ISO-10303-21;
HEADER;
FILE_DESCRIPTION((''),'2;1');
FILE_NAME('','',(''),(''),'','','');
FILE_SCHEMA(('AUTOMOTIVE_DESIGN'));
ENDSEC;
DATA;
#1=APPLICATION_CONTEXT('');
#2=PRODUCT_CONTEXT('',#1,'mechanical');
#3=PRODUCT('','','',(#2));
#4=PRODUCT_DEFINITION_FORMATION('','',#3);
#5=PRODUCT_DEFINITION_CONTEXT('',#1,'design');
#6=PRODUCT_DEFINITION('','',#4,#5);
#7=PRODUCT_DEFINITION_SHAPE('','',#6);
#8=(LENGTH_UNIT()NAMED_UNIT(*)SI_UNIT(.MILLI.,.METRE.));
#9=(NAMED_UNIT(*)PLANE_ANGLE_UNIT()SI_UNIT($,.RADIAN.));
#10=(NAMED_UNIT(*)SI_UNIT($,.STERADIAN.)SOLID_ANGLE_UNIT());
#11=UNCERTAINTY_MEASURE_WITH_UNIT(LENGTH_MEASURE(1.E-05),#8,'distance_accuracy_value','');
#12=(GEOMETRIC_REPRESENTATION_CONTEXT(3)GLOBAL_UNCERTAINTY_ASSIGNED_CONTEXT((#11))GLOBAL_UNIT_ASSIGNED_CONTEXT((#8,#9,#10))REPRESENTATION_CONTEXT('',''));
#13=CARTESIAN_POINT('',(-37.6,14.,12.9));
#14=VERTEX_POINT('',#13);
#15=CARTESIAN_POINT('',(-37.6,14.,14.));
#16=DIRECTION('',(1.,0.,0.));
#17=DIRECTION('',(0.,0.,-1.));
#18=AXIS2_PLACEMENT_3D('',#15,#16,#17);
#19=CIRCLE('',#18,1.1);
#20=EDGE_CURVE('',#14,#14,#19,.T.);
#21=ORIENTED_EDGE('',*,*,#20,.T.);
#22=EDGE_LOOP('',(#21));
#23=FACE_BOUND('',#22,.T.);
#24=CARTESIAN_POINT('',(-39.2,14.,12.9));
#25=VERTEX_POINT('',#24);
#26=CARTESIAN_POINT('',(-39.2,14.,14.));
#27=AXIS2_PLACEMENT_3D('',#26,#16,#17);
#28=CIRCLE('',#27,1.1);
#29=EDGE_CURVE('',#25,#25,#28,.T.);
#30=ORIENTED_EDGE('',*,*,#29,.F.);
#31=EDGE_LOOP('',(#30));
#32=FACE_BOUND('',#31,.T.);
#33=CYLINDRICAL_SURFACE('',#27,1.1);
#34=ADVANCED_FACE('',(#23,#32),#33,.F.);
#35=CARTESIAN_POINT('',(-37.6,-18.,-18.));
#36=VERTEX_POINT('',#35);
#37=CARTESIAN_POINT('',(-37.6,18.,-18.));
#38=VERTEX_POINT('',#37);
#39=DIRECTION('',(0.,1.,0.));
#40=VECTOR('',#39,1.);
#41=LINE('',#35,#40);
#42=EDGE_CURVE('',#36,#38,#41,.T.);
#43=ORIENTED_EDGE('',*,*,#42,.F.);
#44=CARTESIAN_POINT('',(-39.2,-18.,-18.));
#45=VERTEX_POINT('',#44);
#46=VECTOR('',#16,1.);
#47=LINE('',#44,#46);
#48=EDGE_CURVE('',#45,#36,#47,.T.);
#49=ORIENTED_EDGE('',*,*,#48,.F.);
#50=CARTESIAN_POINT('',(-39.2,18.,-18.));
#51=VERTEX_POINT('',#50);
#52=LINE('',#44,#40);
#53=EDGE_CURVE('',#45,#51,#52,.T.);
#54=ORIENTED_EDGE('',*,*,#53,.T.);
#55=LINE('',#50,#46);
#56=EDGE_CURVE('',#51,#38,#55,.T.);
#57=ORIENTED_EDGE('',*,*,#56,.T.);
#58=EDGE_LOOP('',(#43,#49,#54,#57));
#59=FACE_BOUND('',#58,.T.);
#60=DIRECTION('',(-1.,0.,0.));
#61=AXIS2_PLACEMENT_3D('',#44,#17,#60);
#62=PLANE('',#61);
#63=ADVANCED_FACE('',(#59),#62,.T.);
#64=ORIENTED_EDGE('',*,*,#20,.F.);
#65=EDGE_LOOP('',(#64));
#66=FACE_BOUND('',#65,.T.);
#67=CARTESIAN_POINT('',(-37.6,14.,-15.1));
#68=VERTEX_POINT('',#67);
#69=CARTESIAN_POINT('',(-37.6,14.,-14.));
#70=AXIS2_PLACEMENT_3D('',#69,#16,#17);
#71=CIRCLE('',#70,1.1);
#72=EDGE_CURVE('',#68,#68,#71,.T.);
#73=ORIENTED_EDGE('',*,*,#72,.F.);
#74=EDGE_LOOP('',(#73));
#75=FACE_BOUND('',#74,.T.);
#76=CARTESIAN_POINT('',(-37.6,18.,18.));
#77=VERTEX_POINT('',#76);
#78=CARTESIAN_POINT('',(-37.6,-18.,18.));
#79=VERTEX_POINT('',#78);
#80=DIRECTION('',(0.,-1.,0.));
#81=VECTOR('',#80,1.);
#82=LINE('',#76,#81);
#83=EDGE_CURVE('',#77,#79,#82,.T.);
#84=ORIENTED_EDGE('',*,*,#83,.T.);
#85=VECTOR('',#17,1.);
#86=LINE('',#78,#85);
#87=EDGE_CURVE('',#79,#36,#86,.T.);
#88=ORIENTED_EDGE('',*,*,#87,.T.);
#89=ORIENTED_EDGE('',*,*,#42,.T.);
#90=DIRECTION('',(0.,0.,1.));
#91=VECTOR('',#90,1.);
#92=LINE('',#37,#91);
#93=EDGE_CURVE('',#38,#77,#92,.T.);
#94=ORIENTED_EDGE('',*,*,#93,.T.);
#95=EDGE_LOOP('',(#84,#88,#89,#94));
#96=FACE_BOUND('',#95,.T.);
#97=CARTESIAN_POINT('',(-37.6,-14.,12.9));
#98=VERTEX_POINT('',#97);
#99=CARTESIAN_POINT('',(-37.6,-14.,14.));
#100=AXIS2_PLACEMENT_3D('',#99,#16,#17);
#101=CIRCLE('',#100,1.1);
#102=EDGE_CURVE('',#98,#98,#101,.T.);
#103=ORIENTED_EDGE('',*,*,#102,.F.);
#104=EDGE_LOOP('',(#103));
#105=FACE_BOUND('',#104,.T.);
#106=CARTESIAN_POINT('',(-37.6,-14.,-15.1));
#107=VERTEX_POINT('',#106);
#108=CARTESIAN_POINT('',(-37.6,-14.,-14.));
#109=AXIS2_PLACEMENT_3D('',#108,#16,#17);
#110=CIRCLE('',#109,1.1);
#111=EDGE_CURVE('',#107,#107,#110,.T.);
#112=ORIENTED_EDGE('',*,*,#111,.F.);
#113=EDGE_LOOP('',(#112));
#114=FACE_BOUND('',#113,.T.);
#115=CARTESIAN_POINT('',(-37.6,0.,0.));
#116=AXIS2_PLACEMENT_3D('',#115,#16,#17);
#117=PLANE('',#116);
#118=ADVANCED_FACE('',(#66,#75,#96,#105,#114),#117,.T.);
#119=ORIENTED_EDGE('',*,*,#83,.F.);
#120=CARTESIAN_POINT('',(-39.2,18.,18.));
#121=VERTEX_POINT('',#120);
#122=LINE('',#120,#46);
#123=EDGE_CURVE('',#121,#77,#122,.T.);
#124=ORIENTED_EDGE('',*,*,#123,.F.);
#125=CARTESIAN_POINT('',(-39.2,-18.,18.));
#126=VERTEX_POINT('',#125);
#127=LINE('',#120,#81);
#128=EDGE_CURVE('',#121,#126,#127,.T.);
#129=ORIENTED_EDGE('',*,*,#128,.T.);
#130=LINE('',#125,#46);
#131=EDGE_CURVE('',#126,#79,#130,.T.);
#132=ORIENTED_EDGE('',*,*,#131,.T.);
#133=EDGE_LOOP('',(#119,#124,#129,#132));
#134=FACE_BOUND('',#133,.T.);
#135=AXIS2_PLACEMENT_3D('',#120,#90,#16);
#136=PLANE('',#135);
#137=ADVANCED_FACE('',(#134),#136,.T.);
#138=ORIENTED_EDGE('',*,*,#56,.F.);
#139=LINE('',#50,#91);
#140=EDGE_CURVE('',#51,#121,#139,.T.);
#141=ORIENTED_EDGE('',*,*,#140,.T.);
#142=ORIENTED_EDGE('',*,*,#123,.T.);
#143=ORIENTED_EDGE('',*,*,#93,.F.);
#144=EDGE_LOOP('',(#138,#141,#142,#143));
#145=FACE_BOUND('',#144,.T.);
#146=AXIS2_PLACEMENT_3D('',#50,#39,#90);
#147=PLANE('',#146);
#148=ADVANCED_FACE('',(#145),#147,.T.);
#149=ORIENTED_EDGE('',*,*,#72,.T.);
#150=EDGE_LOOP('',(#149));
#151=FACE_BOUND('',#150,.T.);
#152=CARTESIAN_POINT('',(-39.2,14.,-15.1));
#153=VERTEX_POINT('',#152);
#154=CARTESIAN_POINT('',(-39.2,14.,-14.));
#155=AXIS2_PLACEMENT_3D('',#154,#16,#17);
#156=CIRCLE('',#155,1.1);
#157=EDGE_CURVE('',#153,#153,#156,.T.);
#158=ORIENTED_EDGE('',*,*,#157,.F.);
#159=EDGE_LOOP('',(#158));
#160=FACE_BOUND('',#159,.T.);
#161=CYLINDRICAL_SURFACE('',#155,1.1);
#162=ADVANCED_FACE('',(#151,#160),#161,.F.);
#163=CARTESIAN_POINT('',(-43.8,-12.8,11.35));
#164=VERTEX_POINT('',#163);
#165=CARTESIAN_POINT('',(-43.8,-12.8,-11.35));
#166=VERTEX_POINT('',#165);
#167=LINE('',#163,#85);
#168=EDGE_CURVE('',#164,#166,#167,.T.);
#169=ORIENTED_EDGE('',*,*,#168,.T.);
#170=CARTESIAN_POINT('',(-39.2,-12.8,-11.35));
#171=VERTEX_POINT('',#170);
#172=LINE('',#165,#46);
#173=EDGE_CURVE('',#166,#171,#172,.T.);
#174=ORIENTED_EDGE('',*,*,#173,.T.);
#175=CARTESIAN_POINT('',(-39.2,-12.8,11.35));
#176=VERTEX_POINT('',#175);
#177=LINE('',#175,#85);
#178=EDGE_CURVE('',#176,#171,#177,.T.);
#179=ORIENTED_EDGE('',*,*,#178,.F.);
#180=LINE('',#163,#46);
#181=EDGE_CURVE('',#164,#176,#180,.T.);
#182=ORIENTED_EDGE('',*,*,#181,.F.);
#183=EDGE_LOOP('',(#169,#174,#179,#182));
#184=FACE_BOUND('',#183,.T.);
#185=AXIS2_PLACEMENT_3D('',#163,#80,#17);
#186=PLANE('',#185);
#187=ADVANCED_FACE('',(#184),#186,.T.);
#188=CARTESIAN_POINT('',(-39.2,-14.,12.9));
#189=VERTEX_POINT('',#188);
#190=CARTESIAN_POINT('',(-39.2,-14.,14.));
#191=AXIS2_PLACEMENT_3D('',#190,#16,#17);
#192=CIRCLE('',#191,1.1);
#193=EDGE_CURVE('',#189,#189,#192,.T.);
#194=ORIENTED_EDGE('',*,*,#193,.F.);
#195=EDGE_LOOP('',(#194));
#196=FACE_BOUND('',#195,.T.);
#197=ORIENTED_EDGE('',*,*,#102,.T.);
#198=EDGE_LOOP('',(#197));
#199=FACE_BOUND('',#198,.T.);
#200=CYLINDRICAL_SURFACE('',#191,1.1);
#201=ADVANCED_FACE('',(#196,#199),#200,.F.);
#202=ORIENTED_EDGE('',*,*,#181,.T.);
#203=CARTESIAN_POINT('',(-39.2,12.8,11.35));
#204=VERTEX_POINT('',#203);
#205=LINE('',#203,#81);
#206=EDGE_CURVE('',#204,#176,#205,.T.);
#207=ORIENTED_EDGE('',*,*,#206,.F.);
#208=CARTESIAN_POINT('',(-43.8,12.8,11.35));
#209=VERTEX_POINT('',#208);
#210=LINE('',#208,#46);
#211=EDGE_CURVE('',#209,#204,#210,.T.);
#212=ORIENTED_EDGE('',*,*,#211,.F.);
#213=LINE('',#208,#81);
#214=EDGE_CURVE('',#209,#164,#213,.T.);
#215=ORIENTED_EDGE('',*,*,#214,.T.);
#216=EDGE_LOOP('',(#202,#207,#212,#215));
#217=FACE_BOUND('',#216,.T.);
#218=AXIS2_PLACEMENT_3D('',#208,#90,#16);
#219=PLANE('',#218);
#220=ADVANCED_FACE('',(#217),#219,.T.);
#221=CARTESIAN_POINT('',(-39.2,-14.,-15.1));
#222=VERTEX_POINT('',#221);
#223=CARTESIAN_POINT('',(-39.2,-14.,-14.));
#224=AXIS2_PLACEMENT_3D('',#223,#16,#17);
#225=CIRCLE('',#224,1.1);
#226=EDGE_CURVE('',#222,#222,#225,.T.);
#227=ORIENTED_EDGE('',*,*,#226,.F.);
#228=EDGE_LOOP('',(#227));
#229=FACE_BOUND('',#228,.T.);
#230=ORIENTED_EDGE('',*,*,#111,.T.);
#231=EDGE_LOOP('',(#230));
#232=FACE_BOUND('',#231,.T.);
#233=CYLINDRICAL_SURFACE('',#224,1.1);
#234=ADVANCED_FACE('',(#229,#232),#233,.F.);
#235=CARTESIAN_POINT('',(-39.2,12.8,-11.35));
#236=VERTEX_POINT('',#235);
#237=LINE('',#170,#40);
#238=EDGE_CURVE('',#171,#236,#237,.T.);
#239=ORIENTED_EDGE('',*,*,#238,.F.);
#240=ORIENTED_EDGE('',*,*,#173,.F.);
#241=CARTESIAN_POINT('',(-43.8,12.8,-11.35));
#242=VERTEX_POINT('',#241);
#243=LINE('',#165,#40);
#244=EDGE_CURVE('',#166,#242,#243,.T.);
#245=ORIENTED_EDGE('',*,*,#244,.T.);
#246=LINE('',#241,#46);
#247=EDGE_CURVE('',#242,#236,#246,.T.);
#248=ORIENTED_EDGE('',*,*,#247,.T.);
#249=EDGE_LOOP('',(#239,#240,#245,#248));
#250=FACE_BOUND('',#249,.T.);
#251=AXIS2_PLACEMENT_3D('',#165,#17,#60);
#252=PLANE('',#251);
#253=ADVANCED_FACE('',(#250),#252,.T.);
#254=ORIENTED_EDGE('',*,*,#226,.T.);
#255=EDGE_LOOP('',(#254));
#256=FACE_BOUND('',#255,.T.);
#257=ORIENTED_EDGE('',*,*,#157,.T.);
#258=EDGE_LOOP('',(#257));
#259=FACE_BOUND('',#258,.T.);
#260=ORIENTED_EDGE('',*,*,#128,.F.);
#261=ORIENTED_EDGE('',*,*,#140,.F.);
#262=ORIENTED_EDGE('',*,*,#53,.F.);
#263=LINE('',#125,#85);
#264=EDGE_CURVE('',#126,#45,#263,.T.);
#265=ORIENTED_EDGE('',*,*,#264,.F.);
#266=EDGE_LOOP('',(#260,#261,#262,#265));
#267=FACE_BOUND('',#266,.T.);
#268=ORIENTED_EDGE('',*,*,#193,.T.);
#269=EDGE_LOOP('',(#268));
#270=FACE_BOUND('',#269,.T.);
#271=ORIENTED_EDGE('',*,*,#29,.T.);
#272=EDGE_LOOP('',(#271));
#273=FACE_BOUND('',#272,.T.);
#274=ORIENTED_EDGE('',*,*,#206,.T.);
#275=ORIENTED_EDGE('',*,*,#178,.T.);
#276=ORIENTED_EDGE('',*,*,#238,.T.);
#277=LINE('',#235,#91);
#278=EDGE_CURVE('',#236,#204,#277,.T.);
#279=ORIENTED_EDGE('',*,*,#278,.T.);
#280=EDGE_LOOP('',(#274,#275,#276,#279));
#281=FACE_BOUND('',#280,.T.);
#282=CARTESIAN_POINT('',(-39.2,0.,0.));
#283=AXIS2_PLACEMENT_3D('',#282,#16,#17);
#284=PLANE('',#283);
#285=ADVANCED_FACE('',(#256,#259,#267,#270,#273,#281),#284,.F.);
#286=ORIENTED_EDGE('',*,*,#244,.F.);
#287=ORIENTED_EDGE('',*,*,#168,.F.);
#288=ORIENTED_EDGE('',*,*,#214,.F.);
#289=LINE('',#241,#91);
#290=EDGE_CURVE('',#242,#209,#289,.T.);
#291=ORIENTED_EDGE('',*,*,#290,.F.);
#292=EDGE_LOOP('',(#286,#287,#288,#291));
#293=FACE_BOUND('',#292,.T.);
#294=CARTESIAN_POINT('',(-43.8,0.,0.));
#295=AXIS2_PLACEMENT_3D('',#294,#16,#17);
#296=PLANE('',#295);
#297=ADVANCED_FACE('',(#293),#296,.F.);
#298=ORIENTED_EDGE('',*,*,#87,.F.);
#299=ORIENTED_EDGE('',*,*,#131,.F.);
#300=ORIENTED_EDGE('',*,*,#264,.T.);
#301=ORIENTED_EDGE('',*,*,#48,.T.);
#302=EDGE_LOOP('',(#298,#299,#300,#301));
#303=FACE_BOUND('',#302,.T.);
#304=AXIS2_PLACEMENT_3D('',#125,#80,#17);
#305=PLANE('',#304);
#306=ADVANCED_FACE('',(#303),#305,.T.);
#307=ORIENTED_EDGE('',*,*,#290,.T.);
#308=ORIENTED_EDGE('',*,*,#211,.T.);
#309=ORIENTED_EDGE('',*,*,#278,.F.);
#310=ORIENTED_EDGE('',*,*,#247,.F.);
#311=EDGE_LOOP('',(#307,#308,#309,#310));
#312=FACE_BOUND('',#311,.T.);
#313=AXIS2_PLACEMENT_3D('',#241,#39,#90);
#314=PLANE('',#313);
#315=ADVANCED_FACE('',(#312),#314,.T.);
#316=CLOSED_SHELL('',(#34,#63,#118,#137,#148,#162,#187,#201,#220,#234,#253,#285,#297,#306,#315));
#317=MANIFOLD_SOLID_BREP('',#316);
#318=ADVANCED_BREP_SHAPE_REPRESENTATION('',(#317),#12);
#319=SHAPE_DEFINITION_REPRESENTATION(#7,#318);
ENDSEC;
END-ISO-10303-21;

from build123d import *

# Parameters (mm, degrees)
PLATE_START     = -37.6
PLATE_SKETCH_W  = 36
PLATE_SKETCH_H  = 36
PLATE_SKETCH_R  = 1.1
PLATE_DEPTH     = 1.6
BNO085_START    = -39.2
BNO085_SKETCH_W = 22.7
BNO085_SKETCH_H = 25.6
BNO085_DEPTH    = 4.6


with BuildPart() as part:
    # Plate Sketch → Plate (new body)
    with BuildSketch(Plane(origin=(0, 0, 0), x_dir=(0, 0, -1), z_dir=(1, 0, 0)).offset(PLATE_START)):
        Rectangle(PLATE_SKETCH_W, PLATE_SKETCH_H)
        with Locations((14, -14)):
            Circle(PLATE_SKETCH_R, mode=Mode.SUBTRACT)
        with Locations((-14, -14)):
            Circle(PLATE_SKETCH_R, mode=Mode.SUBTRACT)
        with Locations((14, 14)):
            Circle(PLATE_SKETCH_R, mode=Mode.SUBTRACT)
        with Locations((-14, 14)):
            Circle(PLATE_SKETCH_R, mode=Mode.SUBTRACT)
    extrude(amount=-PLATE_DEPTH)

    # BNO085 Sketch → BNO085 (add)
    with BuildSketch(Plane(origin=(0, 0, 0), x_dir=(0, 0, -1), z_dir=(1, 0, 0)).offset(BNO085_START)):
        Rectangle(BNO085_SKETCH_W, BNO085_SKETCH_H)
    extrude(amount=-BNO085_DEPTH)


solid = part.part
